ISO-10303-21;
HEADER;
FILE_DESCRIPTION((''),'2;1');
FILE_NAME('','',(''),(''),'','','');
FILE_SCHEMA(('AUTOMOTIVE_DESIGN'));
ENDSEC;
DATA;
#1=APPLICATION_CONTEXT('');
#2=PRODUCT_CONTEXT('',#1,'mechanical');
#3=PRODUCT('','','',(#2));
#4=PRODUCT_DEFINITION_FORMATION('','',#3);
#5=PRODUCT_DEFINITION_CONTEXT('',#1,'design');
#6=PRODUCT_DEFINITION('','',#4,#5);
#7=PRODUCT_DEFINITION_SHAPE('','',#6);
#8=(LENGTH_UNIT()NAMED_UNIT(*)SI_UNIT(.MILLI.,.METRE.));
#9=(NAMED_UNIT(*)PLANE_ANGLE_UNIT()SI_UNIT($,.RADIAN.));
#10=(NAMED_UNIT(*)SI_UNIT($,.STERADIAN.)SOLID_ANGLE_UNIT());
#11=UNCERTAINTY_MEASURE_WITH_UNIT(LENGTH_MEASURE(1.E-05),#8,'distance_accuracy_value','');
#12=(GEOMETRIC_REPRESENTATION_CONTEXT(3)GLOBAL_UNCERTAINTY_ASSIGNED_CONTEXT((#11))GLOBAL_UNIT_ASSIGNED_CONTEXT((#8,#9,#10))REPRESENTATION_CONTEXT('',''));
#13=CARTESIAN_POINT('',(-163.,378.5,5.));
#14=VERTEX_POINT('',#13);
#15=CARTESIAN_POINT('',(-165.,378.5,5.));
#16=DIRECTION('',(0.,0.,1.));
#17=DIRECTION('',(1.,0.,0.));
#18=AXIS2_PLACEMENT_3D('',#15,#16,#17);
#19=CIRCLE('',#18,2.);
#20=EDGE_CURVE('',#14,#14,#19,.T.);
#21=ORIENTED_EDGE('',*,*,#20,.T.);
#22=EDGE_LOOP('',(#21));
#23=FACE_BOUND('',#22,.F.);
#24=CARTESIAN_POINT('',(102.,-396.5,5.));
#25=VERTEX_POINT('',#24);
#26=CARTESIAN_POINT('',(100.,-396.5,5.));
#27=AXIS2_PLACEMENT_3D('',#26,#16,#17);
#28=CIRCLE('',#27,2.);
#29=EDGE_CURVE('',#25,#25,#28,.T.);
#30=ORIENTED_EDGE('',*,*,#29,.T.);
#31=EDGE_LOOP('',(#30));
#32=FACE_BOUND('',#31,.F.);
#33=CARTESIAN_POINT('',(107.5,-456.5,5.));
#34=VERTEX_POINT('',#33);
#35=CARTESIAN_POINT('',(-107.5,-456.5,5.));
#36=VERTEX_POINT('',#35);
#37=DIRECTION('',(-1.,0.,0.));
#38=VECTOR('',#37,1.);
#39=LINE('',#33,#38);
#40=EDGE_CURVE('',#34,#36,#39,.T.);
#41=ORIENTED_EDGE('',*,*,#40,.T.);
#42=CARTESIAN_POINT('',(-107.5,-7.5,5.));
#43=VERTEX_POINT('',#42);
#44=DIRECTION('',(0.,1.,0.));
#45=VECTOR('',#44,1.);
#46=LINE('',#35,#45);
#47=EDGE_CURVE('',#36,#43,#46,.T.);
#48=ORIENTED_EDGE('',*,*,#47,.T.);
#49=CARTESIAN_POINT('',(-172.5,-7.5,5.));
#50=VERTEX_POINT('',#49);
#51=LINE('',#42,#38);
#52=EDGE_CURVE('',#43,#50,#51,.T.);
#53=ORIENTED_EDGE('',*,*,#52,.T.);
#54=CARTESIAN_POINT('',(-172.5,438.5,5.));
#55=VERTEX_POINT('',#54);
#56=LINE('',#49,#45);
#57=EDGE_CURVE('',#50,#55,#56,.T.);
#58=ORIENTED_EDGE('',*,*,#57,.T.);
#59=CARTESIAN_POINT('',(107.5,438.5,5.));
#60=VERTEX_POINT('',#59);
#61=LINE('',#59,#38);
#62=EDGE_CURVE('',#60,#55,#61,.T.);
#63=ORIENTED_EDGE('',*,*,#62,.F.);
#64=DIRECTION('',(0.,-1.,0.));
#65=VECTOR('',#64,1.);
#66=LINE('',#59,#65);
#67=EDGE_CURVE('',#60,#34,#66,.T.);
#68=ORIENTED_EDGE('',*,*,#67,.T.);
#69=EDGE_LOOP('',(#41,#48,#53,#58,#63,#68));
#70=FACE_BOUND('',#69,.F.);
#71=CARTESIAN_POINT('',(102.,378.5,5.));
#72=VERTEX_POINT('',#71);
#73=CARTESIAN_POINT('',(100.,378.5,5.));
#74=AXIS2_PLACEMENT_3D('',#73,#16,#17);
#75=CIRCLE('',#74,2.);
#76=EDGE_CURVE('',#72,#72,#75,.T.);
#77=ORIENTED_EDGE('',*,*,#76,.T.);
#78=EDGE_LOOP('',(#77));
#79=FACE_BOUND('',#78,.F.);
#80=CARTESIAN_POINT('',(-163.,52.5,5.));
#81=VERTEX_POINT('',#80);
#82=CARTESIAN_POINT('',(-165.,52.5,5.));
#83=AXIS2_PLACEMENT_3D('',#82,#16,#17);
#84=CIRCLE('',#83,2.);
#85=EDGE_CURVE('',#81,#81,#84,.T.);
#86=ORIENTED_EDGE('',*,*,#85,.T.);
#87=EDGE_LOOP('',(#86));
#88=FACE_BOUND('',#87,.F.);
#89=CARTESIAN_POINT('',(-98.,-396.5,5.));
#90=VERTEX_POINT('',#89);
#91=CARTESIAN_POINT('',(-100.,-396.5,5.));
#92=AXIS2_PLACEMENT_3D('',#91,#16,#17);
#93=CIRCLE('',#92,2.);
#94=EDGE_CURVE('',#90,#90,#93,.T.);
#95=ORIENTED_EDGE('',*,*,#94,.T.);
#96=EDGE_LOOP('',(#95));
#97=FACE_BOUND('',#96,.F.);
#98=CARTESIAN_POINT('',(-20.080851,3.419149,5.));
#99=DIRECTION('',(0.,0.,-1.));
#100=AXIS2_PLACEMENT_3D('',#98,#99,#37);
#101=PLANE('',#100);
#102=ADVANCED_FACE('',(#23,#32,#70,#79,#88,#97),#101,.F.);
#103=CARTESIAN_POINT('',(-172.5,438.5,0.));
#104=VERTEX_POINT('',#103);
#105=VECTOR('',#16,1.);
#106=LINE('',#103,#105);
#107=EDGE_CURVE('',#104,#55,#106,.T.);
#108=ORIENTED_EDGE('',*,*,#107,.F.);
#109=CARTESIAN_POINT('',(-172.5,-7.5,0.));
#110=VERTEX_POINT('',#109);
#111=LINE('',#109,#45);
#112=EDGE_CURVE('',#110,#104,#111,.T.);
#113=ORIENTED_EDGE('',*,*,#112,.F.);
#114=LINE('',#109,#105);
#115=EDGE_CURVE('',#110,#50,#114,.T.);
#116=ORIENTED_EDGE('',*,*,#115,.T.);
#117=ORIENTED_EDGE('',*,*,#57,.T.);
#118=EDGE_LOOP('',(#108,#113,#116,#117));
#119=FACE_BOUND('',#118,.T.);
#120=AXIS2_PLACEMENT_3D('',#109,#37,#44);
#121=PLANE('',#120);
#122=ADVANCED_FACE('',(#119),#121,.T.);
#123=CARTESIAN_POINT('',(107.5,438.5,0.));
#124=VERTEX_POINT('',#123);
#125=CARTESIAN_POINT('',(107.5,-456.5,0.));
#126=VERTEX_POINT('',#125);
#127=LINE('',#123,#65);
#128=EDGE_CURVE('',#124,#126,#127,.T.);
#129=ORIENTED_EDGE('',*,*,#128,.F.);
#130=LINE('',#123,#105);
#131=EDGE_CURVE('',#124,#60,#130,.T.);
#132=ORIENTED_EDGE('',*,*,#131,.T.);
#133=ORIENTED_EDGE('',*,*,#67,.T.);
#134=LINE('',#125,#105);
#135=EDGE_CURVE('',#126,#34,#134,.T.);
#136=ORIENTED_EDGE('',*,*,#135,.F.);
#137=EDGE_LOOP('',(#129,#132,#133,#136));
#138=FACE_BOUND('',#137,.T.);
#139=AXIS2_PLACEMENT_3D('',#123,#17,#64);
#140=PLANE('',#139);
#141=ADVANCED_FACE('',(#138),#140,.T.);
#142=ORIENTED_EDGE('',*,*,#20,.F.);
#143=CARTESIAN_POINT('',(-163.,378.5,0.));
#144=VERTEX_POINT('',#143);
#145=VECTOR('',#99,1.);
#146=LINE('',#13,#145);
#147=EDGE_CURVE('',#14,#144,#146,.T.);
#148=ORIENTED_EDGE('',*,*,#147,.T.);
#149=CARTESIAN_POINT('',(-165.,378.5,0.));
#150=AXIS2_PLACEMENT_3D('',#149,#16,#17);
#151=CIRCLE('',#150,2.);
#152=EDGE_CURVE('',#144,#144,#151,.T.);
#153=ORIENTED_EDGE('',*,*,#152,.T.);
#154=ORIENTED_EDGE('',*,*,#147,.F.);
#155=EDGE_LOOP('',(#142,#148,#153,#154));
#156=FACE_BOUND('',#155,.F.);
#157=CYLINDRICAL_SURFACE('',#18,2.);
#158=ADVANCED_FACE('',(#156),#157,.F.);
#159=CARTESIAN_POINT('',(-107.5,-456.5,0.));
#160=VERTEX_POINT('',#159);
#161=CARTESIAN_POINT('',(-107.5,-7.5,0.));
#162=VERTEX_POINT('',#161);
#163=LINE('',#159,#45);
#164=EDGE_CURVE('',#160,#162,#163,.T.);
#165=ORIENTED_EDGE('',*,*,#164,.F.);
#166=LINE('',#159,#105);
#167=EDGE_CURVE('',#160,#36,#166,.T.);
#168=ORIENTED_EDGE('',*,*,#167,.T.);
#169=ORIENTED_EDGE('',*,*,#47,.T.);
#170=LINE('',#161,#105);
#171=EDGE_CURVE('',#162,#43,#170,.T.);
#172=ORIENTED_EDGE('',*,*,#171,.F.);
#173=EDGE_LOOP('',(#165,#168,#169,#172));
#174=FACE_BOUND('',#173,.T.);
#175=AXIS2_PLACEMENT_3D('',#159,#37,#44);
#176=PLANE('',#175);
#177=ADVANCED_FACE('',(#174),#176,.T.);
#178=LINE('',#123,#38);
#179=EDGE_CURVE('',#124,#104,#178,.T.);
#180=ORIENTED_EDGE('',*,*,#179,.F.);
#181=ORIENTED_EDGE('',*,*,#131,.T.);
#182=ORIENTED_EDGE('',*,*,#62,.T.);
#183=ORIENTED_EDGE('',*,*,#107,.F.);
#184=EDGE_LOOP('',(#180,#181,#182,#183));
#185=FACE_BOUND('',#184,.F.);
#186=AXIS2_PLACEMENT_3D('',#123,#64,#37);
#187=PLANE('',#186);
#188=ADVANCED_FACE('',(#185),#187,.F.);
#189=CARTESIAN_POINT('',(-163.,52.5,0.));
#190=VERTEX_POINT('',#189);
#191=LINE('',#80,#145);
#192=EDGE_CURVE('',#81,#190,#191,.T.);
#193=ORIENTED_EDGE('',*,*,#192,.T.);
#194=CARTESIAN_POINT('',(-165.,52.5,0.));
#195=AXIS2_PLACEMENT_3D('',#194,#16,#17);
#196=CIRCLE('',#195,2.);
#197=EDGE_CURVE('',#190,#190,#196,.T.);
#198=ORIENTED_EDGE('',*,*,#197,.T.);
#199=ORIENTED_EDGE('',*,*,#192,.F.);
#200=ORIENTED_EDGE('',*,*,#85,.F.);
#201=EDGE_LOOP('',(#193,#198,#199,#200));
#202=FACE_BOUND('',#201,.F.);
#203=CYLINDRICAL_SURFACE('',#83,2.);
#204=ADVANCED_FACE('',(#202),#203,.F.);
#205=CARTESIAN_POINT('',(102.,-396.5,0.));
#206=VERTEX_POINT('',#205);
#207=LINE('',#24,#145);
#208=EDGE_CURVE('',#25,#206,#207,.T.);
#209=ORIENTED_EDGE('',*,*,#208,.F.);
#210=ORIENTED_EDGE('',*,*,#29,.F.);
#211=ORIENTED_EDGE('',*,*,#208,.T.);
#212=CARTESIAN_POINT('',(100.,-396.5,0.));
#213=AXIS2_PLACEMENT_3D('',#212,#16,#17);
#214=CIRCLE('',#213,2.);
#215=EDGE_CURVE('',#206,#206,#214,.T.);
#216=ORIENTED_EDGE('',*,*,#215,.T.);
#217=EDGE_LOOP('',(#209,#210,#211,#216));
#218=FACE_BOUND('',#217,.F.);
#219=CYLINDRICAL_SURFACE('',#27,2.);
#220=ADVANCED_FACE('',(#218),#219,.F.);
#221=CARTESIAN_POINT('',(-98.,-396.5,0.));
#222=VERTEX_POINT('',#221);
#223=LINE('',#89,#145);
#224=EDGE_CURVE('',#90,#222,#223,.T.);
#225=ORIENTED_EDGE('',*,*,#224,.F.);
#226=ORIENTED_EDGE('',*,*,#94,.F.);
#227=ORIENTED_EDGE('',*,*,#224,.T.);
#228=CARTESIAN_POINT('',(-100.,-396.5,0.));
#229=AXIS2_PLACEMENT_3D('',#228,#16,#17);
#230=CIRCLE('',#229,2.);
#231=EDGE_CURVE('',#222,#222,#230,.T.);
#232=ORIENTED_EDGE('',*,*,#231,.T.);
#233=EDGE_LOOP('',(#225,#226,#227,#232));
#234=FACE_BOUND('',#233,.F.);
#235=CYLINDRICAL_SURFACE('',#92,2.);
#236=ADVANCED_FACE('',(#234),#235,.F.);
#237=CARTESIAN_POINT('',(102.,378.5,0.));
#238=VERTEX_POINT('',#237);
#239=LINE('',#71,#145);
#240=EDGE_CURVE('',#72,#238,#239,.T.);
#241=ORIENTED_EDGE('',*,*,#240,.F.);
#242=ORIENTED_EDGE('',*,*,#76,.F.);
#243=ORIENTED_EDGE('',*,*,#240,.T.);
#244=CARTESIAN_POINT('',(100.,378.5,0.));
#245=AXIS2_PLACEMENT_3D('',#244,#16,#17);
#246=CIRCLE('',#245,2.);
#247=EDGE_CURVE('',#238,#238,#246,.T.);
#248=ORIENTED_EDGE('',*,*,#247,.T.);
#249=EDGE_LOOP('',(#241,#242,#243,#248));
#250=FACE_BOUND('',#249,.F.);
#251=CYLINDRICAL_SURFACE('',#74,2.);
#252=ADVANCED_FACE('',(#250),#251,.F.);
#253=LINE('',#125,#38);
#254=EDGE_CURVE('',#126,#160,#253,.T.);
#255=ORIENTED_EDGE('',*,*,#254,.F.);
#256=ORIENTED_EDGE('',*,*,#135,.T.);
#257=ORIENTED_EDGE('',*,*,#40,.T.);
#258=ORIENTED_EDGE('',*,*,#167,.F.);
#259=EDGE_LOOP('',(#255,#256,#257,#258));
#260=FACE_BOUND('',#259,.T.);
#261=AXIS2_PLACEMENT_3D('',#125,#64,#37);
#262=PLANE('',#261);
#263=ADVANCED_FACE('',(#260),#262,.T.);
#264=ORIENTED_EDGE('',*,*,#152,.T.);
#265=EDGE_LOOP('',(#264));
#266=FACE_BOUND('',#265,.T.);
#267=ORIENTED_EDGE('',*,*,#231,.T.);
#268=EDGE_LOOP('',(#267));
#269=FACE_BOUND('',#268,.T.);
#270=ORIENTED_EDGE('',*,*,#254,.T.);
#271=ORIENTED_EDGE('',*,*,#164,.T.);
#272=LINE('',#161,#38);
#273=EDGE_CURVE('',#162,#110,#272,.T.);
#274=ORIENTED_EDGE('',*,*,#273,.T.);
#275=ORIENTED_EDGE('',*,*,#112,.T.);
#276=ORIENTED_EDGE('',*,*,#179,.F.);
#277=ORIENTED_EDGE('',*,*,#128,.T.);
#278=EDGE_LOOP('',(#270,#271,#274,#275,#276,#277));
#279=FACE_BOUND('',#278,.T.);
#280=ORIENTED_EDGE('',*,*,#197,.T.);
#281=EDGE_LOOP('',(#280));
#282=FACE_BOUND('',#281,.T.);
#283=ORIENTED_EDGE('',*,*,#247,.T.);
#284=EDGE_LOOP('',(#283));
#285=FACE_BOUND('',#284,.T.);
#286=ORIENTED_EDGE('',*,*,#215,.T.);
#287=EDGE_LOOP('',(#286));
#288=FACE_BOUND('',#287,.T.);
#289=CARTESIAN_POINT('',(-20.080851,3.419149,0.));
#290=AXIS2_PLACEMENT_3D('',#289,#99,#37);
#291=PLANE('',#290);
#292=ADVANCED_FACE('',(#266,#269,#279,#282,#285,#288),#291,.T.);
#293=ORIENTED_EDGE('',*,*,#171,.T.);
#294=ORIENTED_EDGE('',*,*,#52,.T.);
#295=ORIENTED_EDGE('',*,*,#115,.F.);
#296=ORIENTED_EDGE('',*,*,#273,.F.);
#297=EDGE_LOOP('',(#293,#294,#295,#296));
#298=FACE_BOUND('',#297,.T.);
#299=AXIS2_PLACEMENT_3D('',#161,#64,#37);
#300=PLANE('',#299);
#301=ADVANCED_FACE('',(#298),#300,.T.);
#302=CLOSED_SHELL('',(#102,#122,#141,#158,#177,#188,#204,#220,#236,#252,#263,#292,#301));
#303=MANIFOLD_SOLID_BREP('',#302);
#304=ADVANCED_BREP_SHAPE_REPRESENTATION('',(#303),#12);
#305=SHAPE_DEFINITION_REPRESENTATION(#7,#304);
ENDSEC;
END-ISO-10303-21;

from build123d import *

# Parameters (mm, degrees)
PAD_DEPTH    = 5
SKETCH001_R  = 2
POCKET_DEPTH = 5


with BuildPart() as part:
    # Sketch → Pad (new body)
    with BuildSketch(Plane.XY):
        Polygon((-107.5, 438.5), (107.5, 438.5), (107.5, -456.5), (-107.5, -456.5), (-107.5, -7.5), (-172.5, -7.5), (-172.5, 438.5), align=None)
    extrude(amount=PAD_DEPTH)

    # Sketch001 → Pocket (cut)
    with BuildSketch(Plane.XY.offset(5)):
        with Locations((-165, 378.5)):
            Circle(SKETCH001_R)
        with Locations((-165, 52.5)):
            Circle(SKETCH001_R)
        with Locations((-100, -396.5)):
            Circle(SKETCH001_R)
        with Locations((100, -396.5)):
            Circle(SKETCH001_R)
        with Locations((100, 378.5)):
            Circle(SKETCH001_R)
    extrude(amount=-POCKET_DEPTH, mode=Mode.SUBTRACT)


solid = part.part
